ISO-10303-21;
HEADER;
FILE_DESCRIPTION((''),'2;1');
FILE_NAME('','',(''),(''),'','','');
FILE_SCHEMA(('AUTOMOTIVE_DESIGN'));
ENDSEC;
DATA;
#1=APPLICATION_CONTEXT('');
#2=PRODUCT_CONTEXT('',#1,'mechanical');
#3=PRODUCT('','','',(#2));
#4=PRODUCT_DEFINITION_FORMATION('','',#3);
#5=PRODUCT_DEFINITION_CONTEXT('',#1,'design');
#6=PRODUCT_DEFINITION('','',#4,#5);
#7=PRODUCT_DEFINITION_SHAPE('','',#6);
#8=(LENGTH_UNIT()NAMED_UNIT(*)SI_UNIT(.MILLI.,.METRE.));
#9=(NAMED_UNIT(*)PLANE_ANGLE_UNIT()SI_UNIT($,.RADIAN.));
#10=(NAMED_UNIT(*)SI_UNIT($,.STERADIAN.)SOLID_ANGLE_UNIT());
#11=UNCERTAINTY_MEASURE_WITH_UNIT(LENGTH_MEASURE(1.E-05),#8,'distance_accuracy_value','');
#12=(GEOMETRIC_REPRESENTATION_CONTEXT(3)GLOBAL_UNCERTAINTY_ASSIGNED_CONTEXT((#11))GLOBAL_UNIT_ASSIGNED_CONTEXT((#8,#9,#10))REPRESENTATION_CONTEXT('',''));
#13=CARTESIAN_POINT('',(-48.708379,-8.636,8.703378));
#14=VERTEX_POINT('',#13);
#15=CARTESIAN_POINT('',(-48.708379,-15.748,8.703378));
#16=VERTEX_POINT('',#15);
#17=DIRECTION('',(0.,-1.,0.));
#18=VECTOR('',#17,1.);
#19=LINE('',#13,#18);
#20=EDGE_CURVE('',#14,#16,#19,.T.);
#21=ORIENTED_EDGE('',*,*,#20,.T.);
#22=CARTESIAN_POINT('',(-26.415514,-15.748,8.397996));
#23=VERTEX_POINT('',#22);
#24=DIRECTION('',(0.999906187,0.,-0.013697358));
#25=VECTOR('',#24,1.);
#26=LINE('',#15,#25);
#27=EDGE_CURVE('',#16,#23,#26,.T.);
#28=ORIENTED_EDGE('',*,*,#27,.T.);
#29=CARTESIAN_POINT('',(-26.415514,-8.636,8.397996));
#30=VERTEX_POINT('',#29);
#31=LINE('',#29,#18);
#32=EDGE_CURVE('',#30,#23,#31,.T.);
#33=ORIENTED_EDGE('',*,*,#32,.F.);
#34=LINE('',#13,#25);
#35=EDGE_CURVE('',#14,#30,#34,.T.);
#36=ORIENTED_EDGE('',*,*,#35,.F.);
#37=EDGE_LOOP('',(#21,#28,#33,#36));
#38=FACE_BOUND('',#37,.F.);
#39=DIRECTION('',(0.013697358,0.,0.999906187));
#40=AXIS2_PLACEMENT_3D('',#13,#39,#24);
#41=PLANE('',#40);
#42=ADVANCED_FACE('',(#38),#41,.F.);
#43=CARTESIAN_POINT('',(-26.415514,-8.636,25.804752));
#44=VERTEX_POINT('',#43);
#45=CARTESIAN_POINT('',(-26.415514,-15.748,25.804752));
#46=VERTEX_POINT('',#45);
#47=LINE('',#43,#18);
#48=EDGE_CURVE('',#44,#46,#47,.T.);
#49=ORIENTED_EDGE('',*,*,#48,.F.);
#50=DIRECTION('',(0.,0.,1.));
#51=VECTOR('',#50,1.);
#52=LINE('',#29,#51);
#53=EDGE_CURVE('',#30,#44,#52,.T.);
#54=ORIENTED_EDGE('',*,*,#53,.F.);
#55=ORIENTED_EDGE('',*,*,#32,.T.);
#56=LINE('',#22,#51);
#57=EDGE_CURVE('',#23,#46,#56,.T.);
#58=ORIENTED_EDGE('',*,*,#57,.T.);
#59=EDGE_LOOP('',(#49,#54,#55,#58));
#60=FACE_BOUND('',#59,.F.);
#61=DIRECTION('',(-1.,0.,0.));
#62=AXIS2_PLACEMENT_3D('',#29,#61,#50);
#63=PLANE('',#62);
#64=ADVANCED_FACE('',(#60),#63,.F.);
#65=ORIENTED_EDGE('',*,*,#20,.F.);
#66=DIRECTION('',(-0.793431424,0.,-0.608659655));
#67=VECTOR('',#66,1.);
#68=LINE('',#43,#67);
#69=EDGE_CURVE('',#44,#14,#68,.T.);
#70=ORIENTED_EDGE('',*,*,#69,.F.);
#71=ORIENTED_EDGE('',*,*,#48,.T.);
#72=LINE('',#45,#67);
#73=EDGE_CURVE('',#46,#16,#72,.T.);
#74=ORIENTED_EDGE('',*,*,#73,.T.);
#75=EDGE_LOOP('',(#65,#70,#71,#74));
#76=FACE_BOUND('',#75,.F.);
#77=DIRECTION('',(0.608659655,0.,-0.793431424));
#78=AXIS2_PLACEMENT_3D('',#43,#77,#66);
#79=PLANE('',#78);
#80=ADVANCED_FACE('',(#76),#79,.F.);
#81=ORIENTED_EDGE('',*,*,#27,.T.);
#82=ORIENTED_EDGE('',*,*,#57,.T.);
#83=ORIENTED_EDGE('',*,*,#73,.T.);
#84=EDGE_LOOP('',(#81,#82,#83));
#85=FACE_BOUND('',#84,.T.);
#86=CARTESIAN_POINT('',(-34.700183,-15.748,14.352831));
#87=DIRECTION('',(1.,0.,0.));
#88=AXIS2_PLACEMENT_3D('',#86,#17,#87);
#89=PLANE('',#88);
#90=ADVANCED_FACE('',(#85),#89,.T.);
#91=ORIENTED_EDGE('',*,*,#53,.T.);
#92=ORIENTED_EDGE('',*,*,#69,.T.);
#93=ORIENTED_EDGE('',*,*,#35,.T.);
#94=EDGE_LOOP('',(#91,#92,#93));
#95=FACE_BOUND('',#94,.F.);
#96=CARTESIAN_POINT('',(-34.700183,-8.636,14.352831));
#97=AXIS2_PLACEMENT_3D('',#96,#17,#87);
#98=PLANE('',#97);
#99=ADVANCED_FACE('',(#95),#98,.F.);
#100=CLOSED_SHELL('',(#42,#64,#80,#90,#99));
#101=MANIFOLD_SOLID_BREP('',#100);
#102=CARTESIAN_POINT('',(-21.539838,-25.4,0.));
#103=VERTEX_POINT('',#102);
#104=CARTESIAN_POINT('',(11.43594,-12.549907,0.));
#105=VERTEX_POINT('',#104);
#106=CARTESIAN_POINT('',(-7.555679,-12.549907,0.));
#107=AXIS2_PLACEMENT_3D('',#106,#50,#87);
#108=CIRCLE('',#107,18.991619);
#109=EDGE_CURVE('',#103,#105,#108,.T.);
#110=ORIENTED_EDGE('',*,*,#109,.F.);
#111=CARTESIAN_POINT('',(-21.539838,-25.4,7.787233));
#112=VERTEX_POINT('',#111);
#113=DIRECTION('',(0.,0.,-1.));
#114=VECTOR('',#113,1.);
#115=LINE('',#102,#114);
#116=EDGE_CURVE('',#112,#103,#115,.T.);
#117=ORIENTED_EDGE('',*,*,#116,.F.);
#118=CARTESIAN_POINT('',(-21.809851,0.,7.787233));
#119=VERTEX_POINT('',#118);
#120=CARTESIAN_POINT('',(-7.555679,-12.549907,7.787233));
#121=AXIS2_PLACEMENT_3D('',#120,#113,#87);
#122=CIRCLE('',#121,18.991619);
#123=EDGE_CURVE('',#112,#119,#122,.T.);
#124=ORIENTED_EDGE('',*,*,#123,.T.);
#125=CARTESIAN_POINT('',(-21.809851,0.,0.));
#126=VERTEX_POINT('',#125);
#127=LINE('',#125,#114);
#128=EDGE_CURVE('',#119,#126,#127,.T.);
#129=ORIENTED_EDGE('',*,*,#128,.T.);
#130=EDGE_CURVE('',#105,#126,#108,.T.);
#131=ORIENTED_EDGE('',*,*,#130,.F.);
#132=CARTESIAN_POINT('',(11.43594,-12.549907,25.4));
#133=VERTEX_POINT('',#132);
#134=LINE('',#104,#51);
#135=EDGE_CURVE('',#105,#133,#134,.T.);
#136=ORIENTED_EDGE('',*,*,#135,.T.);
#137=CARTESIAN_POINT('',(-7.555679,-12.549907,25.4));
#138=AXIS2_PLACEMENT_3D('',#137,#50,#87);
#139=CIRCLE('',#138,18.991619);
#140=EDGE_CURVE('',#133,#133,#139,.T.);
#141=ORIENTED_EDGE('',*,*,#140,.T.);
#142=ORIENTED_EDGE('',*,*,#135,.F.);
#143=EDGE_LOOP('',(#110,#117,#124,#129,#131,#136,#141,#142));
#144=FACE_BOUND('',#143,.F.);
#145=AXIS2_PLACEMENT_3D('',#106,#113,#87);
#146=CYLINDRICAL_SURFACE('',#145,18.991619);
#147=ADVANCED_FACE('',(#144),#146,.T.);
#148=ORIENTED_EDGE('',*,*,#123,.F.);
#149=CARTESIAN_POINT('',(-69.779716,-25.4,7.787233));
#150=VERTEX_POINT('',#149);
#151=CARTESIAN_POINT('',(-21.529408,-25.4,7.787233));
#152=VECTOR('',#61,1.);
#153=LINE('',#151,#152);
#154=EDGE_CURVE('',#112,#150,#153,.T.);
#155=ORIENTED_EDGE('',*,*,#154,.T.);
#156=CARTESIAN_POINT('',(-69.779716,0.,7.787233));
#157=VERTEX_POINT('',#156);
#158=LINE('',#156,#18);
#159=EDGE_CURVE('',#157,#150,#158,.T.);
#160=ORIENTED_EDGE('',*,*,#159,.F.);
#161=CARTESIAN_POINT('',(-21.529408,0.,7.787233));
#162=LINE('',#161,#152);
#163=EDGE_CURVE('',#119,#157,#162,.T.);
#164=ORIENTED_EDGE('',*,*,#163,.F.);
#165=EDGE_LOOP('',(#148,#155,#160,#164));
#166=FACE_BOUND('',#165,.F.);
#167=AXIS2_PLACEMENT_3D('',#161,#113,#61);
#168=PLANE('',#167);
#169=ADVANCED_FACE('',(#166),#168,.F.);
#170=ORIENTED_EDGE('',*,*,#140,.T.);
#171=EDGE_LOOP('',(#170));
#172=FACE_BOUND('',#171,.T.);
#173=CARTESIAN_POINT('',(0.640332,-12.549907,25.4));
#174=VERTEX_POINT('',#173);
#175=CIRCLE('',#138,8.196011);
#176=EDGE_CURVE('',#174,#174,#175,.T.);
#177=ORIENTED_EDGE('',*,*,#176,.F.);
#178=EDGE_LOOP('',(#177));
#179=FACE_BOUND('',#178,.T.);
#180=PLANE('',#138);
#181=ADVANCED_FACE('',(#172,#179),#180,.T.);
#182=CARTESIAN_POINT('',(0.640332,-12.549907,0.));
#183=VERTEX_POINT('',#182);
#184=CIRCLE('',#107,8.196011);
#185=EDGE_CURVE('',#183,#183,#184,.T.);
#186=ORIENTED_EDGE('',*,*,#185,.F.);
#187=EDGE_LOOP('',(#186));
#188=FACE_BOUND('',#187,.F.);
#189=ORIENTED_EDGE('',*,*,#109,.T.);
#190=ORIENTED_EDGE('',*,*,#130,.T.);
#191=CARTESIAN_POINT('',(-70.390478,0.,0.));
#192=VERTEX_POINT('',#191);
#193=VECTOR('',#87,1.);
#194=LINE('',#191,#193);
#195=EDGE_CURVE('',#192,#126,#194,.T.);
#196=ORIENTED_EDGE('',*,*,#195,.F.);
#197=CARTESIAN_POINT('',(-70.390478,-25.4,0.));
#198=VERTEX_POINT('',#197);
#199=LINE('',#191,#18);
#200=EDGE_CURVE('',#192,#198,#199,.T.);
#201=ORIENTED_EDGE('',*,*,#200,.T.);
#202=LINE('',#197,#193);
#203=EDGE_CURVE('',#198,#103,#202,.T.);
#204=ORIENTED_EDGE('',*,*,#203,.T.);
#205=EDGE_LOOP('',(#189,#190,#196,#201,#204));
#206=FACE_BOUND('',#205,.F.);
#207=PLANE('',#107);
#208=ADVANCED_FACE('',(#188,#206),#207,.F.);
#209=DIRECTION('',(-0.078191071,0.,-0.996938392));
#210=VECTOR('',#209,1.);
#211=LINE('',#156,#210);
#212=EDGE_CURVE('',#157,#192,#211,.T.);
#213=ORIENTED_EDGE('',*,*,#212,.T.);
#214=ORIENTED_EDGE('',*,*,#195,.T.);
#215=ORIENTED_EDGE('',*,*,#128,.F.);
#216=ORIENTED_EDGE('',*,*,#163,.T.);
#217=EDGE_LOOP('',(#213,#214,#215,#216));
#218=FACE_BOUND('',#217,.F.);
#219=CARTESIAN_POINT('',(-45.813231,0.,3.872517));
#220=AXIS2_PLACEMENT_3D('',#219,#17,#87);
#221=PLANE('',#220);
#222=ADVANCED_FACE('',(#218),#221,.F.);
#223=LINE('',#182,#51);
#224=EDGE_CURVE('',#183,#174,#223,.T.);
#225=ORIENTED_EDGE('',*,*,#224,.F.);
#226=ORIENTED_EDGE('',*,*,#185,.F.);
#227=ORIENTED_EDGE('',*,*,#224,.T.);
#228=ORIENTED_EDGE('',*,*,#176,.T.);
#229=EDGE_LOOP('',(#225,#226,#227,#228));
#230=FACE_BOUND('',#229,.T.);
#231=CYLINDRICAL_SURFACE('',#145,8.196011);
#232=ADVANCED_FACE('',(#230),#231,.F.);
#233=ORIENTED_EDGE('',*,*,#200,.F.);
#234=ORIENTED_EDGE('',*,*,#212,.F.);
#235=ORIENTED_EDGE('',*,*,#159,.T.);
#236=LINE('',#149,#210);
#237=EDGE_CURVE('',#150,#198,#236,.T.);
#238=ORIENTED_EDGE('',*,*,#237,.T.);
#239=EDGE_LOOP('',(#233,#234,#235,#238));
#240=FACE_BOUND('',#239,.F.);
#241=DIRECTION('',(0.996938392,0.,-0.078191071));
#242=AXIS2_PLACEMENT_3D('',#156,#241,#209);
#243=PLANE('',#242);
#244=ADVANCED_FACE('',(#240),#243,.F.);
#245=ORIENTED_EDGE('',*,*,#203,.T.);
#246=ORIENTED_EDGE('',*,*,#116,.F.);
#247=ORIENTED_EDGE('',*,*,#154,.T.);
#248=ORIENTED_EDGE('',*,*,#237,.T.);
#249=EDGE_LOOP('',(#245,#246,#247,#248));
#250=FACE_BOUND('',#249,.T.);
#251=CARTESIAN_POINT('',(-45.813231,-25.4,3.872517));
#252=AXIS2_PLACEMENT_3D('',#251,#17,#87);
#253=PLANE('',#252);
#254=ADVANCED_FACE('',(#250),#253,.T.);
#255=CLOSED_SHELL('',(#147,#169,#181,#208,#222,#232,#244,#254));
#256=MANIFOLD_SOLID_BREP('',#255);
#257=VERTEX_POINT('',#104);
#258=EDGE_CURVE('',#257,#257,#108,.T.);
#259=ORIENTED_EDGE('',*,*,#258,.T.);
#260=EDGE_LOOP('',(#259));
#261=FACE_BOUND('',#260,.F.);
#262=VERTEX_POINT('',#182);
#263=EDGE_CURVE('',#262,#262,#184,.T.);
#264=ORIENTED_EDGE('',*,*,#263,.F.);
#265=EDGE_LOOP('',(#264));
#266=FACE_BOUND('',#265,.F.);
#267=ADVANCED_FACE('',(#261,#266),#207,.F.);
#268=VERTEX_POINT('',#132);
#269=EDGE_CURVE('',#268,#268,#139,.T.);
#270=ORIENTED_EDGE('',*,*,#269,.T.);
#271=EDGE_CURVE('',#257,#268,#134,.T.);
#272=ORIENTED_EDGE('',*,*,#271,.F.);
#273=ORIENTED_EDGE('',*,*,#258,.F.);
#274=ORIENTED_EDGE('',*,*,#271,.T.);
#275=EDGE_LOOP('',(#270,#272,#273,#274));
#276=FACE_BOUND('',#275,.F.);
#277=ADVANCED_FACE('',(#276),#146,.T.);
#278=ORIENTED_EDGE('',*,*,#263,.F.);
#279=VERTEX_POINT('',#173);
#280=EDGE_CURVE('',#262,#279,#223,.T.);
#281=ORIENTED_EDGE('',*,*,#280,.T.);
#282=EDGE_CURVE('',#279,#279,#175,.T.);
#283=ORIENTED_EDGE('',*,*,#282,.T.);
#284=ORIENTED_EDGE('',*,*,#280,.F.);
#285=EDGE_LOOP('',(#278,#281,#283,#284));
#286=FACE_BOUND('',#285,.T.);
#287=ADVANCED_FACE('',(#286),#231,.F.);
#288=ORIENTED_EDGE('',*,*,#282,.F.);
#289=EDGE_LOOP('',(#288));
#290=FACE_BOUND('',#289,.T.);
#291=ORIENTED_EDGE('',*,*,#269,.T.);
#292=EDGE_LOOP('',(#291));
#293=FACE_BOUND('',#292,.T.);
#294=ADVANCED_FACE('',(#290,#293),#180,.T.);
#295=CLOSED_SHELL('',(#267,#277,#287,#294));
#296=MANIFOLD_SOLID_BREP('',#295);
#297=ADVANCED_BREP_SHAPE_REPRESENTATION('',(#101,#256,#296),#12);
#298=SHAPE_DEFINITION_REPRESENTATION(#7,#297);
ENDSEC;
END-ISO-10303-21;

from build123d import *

# Parameters (mm, degrees)
F1_DEPTH = 25.4
F2_R     = 18.991619
F2_R_2   = 8.196011
F3_DEPTH = 25.4
F5_DEPTH = 7.112
F7_DEPTH = 25.4


with BuildPart() as f1:
    # F0 (on Front) → F1 (new body)
    with BuildSketch(Plane.XZ):
        Polygon((-69.779716, 7.787233), (-70.390478, 0), (-21.529408, 0), (-21.529408, 7.787233), align=None)
    extrude(amount=F1_DEPTH)

    # F2 (on Top) → F3 (join)
    with BuildSketch(Plane.XY):
        with Locations((-7.555679, -12.549907)):
            Circle(F2_R)
        with Locations((-7.555679, -12.549907)):
            Circle(F2_R_2, mode=Mode.SUBTRACT)
    extrude(amount=F3_DEPTH)


with BuildPart() as f5:
    # F4 (on Front) → F5 (new body)
    with BuildSketch(Plane.XZ):
        Polygon((-26.415514, 8.397996), (-26.415514, 25.804752), (-48.708379, 8.703378), align=None)
    extrude(amount=F5_DEPTH)


with BuildPart() as f5_1:
    # F6: moved
    add(f5.part.moved(Location((0, -6.096, 0))))


with BuildPart() as f7:
    # F2 (on Top) → F7 (new body)
    with BuildSketch(Plane.XY):
        with Locations((-7.555679, -12.549907)):
            Circle(F2_R)
        with Locations((-7.555679, -12.549907)):
            Circle(F2_R_2, mode=Mode.SUBTRACT)
    extrude(amount=F7_DEPTH)


with BuildPart() as f5_2:
    # F8: moved
    add(f5_1.part.moved(Location((0, -2.54, 0))))


solid = Compound([f1.part, f7.part, f5_2.part])
